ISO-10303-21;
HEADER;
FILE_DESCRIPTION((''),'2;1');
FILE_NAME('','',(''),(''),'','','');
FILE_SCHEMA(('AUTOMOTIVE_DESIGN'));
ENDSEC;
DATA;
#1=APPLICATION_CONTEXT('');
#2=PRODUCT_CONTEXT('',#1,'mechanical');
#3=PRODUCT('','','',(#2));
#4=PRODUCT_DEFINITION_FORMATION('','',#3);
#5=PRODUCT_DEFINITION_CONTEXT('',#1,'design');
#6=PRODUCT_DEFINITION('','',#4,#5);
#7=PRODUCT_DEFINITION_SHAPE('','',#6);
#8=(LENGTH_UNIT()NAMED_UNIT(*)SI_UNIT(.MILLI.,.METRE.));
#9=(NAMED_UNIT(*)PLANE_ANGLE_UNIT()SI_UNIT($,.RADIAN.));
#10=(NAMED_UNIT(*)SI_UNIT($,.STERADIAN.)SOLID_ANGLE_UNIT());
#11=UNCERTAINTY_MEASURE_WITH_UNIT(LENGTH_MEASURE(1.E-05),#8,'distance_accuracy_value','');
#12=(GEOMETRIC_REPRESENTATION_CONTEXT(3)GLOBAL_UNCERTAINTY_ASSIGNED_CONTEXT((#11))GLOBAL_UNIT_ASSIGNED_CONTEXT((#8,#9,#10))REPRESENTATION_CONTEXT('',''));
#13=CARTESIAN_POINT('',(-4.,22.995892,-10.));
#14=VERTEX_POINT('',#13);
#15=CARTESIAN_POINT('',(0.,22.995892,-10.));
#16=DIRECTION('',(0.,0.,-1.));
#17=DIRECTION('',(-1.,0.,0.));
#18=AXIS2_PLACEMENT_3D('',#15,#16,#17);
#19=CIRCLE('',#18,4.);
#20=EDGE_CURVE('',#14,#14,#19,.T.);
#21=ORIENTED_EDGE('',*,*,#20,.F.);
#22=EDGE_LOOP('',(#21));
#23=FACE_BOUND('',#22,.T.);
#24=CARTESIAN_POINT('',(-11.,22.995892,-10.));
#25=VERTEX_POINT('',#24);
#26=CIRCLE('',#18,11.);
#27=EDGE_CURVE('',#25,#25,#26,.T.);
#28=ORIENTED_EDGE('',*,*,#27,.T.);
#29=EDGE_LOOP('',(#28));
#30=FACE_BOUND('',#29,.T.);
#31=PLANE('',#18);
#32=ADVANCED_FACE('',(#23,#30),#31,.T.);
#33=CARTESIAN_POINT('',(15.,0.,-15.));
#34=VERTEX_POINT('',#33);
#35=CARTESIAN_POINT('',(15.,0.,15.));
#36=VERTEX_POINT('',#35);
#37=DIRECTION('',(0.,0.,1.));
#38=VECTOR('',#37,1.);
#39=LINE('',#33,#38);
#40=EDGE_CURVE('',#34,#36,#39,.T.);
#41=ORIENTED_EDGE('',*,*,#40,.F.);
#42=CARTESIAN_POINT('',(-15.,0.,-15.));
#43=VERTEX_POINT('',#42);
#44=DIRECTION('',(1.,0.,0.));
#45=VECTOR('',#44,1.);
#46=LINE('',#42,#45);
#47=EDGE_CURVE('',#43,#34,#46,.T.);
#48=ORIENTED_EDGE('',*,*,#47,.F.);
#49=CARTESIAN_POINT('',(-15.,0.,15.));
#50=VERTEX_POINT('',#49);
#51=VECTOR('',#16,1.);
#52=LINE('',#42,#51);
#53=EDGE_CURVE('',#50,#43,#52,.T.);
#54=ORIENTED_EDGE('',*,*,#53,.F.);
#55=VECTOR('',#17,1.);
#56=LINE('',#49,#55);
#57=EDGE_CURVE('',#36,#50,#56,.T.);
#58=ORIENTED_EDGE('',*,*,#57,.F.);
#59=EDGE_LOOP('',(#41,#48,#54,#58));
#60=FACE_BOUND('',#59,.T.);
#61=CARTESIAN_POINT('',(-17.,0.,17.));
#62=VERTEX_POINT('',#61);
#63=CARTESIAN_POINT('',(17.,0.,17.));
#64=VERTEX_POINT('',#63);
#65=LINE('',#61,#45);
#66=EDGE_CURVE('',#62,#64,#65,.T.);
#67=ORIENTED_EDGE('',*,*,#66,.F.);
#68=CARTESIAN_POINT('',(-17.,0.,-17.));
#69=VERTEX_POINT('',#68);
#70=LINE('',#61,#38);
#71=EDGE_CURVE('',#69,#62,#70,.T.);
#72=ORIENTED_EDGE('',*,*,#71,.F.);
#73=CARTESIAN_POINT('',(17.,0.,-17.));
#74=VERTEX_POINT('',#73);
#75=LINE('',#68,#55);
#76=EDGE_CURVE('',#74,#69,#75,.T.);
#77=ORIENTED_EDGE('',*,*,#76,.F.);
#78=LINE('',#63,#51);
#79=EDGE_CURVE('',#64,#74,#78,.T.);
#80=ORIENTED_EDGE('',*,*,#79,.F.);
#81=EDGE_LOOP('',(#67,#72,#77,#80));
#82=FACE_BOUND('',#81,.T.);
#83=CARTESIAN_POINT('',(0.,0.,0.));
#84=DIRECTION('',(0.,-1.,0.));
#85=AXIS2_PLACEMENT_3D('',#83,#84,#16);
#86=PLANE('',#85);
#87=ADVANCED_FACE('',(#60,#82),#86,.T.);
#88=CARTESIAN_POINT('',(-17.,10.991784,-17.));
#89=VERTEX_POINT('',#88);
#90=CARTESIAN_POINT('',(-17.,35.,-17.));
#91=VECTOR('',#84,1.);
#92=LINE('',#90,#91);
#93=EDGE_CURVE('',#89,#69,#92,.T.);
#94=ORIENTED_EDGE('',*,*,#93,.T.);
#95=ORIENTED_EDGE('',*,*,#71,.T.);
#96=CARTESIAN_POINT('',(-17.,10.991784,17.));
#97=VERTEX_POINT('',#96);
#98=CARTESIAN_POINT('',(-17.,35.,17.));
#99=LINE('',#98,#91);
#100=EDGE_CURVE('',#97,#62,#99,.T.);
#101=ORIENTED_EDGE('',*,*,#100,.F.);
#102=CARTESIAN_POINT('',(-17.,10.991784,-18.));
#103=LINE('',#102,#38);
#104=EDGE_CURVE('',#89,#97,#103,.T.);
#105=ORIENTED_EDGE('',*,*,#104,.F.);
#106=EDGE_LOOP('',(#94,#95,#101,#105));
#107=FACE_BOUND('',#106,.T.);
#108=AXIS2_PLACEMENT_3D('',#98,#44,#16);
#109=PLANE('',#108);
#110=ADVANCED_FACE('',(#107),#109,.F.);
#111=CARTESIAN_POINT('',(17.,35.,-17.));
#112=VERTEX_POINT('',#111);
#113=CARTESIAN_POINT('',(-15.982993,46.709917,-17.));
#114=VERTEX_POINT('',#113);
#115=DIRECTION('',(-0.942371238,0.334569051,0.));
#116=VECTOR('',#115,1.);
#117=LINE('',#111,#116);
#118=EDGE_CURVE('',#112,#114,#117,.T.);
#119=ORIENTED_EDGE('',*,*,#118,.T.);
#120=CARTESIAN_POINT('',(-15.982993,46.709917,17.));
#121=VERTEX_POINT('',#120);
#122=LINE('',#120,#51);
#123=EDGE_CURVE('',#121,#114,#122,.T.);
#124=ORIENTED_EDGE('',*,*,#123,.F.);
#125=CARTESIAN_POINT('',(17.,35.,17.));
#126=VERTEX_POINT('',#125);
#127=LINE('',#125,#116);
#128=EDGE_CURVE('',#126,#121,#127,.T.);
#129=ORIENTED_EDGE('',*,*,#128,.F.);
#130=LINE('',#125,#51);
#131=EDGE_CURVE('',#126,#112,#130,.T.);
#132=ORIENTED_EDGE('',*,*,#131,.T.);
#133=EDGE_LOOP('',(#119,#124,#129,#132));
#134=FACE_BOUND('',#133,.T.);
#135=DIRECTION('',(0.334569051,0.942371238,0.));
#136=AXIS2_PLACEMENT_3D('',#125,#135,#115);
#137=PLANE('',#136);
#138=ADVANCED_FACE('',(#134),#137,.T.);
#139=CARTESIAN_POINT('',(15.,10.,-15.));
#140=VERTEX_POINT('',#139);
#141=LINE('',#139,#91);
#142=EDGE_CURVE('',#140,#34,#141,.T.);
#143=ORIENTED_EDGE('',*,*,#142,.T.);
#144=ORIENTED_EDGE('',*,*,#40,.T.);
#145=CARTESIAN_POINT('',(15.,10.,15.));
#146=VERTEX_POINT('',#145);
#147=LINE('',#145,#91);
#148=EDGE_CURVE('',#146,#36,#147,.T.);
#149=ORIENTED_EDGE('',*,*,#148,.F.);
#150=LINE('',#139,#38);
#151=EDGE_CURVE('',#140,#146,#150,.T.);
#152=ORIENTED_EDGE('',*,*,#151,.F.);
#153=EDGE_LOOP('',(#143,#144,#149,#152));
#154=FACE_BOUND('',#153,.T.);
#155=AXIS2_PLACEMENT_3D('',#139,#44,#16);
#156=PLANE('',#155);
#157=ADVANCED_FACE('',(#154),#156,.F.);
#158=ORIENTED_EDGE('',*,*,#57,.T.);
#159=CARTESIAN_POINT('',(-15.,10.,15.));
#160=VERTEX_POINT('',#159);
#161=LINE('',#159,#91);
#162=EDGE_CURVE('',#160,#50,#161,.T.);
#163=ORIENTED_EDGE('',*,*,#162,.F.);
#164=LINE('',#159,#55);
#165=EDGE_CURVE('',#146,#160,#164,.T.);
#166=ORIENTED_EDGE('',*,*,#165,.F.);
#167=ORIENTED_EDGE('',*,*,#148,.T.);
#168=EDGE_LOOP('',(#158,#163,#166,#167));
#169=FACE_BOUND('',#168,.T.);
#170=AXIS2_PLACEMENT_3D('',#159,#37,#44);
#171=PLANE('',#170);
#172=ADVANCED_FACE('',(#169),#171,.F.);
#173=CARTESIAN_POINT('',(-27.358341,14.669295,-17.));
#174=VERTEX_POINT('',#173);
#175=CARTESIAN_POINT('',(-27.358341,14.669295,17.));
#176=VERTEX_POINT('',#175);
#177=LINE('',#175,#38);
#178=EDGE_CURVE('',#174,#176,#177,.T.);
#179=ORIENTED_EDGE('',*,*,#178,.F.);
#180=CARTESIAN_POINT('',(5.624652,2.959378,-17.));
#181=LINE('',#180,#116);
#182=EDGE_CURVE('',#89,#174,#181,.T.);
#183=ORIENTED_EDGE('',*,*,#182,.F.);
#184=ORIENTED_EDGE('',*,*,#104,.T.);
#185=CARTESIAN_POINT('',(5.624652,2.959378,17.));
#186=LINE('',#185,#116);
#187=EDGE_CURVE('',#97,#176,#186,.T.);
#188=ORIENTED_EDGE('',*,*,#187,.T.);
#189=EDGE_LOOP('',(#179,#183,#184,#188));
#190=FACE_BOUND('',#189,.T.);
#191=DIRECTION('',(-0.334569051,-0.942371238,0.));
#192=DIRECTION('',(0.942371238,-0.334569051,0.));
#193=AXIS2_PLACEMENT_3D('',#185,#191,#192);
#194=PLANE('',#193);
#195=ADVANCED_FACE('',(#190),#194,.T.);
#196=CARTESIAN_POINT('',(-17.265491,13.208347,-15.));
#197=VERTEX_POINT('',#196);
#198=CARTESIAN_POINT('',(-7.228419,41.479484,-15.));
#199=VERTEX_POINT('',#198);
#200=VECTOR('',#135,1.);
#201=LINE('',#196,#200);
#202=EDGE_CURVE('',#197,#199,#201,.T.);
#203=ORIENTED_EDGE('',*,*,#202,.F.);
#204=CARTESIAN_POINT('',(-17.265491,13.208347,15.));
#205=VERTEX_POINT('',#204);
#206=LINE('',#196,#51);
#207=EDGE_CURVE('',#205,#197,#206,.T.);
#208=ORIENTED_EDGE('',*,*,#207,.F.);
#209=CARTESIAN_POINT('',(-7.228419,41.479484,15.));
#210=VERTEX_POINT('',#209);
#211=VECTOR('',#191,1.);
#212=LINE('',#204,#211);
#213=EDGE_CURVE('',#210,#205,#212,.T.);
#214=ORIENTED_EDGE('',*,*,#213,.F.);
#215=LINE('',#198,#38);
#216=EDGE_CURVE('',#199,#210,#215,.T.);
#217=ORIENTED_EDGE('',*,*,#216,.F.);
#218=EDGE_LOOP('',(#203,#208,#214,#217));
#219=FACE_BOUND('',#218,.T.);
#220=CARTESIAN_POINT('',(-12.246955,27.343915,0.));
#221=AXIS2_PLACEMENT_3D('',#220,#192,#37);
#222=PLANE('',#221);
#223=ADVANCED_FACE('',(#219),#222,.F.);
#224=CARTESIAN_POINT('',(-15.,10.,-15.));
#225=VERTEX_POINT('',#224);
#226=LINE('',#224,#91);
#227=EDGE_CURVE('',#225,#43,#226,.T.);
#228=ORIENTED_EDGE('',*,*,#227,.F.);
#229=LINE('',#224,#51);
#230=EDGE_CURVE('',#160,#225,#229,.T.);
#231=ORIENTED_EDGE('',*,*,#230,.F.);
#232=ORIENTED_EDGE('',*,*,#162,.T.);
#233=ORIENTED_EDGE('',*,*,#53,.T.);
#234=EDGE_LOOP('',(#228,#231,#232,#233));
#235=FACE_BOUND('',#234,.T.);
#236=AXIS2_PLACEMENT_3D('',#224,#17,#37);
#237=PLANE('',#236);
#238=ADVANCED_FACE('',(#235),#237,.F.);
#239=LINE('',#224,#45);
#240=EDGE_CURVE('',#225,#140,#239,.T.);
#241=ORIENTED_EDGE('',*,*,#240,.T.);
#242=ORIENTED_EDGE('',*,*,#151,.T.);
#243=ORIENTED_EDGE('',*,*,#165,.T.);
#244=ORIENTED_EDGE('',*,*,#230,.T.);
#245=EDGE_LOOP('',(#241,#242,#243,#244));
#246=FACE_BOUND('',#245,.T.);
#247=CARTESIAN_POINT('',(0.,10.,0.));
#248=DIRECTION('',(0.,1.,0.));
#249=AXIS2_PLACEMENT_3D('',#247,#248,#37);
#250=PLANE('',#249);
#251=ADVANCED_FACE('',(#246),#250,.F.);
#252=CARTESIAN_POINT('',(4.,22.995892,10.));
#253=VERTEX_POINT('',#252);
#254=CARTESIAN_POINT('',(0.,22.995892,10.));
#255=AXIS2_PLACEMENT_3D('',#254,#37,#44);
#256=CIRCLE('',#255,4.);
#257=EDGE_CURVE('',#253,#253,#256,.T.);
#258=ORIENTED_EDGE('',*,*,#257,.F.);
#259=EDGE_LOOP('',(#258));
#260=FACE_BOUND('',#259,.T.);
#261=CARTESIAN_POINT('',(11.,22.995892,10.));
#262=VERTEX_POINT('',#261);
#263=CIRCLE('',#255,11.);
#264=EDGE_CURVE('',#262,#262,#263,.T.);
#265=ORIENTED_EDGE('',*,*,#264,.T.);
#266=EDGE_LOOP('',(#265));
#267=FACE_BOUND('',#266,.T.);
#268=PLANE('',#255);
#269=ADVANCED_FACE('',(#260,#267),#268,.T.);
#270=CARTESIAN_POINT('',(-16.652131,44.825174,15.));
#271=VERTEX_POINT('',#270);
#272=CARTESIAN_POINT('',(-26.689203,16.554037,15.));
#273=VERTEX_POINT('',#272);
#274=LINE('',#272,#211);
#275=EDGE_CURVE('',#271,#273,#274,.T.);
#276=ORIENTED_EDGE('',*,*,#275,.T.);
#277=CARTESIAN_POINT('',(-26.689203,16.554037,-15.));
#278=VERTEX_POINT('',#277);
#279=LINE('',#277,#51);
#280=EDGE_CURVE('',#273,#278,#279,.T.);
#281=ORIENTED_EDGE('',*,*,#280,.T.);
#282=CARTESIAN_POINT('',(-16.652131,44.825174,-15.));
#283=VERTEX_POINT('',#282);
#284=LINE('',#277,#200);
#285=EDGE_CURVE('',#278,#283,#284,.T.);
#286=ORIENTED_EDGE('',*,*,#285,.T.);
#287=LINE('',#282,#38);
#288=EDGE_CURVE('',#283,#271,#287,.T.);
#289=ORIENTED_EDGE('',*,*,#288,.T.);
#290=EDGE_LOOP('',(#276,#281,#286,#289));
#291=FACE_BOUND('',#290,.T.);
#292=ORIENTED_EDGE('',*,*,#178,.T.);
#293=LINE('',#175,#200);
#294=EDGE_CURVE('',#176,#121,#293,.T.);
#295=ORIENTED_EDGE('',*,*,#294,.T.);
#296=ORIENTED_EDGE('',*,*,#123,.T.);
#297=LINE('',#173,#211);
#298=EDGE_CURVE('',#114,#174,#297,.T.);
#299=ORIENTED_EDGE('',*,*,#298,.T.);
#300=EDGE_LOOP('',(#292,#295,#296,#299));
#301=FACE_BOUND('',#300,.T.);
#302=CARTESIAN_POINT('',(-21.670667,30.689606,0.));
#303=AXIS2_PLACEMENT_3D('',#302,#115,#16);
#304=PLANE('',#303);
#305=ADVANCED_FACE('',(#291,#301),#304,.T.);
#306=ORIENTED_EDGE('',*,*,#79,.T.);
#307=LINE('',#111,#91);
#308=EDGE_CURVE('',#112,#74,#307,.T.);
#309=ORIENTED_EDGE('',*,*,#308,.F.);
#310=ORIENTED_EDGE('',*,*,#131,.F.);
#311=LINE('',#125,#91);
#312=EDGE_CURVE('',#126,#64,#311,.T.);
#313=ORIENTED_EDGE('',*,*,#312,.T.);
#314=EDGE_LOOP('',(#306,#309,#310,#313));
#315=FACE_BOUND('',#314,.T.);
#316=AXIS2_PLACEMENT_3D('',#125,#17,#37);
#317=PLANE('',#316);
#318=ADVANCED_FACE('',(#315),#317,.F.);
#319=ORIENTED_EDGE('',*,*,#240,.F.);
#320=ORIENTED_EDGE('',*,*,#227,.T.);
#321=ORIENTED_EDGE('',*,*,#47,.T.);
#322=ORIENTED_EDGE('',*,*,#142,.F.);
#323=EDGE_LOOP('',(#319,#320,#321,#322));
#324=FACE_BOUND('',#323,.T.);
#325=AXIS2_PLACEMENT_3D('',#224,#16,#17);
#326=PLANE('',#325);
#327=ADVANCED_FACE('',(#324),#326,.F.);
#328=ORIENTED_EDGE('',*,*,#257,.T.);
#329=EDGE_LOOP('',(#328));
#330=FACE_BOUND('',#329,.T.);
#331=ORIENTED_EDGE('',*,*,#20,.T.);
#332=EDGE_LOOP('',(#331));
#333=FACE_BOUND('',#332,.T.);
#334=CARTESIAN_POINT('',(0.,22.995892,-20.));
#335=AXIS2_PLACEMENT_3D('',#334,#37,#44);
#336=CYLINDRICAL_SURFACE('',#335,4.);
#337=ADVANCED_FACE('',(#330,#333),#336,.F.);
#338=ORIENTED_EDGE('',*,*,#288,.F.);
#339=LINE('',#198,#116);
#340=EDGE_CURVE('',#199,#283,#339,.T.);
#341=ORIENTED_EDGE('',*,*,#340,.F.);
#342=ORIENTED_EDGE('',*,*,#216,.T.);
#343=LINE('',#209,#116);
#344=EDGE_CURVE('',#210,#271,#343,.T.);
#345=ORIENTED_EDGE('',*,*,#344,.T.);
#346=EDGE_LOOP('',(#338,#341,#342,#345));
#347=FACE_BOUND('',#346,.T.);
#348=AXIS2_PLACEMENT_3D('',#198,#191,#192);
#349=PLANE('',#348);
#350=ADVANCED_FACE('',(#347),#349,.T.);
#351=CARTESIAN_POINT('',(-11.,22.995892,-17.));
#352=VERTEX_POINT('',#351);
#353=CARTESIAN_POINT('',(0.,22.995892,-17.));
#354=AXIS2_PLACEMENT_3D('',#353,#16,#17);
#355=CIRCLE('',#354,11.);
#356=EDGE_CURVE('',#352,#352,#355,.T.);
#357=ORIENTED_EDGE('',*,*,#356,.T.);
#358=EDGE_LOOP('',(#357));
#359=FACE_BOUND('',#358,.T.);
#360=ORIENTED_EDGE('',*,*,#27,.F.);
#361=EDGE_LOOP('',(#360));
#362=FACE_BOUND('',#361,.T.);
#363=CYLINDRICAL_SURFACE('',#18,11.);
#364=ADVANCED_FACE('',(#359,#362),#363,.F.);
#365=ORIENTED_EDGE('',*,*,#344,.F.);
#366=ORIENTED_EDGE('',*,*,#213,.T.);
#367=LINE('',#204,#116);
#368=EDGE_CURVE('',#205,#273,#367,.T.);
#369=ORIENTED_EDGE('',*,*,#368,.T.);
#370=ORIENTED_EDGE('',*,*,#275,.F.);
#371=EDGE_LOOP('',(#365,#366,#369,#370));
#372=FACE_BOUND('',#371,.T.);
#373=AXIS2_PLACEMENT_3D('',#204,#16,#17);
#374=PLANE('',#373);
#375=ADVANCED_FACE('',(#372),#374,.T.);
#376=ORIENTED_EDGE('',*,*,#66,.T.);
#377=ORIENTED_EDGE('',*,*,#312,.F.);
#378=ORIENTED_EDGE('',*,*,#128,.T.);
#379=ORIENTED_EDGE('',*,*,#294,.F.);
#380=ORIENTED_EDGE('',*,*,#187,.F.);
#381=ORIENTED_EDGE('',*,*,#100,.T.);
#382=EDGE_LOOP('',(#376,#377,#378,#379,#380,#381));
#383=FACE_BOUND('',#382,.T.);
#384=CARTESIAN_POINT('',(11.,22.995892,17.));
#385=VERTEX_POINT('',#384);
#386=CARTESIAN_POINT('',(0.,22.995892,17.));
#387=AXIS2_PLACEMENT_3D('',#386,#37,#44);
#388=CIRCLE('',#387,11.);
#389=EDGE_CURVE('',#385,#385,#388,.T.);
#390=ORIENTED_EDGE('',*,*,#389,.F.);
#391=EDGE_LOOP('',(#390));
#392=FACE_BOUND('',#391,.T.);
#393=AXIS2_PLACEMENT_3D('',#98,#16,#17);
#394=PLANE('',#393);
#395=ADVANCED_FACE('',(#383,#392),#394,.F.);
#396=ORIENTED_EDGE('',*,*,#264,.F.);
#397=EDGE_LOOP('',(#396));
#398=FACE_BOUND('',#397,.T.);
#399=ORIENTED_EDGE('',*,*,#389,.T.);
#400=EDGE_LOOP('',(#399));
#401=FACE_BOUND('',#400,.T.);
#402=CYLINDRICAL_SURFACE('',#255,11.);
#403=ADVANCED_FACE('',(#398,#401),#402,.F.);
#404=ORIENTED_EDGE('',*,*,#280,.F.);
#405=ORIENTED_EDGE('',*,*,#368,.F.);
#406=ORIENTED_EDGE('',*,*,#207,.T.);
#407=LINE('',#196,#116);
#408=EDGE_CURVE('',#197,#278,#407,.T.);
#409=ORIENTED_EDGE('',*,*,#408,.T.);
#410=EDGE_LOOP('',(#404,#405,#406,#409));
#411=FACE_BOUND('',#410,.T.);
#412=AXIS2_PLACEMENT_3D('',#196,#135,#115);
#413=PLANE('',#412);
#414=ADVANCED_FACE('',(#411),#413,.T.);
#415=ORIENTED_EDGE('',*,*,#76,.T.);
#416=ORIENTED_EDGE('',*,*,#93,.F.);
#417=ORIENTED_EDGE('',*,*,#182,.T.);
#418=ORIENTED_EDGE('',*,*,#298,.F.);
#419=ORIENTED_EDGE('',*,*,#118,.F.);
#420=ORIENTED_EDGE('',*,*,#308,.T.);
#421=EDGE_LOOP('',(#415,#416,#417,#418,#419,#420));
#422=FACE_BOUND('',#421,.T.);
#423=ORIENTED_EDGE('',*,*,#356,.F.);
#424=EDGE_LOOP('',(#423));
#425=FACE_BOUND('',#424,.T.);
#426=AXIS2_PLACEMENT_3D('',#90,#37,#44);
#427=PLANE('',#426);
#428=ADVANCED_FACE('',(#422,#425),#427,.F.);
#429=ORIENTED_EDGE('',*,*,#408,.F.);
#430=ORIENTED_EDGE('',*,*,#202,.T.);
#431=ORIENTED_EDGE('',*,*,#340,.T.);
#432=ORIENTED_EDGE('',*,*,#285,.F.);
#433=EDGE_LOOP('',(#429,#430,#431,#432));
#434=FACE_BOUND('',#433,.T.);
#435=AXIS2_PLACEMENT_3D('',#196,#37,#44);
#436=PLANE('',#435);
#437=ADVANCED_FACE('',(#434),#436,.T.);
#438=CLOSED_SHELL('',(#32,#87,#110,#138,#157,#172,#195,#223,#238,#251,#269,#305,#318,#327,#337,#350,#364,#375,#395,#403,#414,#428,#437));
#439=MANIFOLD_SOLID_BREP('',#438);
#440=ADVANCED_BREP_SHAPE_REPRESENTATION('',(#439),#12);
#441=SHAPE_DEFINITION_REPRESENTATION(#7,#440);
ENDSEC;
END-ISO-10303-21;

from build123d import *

# Parameters (mm, degrees)
SKETCH2_W           = 34
SKETCH2_H           = 34
BOSS_EXTRUDE2_DEPTH = 35
CUT_EXTRUDE6_DEPTH  = 35
SKETCH17_W          = 30
SKETCH17_H          = 30
CUT_EXTRUDE7_DEPTH  = 10
SKETCH18_W          = 30
SKETCH18_H          = 10
CUT_EXTRUDE8_DEPTH  = 30
SKETCH19_R          = 11
CUT_EXTRUDE10_DEPTH = 7
SKETCH20_R          = 11
CUT_EXTRUDE11_DEPTH = 7
SKETCH22_R          = 4
CUT_EXTRUDE12_DEPTH = 30


with BuildPart() as part:
    # Sketch2 → Boss-Extrude2 (new body)
    with BuildSketch(Plane(origin=(0, 0, 0), x_dir=(1, 0, 0), z_dir=(0, 1, 0))):
        Rectangle(SKETCH2_W, SKETCH2_H)
    boss_extrude2 = extrude(amount=BOSS_EXTRUDE2_DEPTH)

    # Sketch16 → Cut-Extrude6 (cut)
    with BuildSketch(Plane.XY.offset(17)):
        Polygon((-17, 35), (-17, 10.991783965), (17, 35), align=None)
    extrude(amount=-CUT_EXTRUDE6_DEPTH, mode=Mode.SUBTRACT)

    # Sketch17 → Cut-Extrude7 (cut)
    with BuildSketch(Plane.XZ):
        Rectangle(SKETCH17_W, SKETCH17_H)
    cut_extrude7 = extrude(amount=-CUT_EXTRUDE7_DEPTH, mode=Mode.SUBTRACT)

    # Mirror6: Boss-Extrude2, Cut-Extrude7 across plane
    add(boss_extrude2.mirror(Plane(origin=(17, 35, -18), x_dir=(0, 0, 1), z_dir=(0.57681494, -0.816874853, 0))))
    add(cut_extrude7.mirror(Plane(origin=(17, 35, -18), x_dir=(0, 0, 1), z_dir=(0.57681494, -0.816874853, 0))), mode=Mode.SUBTRACT)

    # Sketch18 → Cut-Extrude8 (cut)
    with BuildSketch(Plane.ZY.offset(-15)):
        with Locations((0, 5)):
            Rectangle(SKETCH18_W, SKETCH18_H)
    extrude(amount=CUT_EXTRUDE8_DEPTH, mode=Mode.SUBTRACT)

    # Sketch19 → Cut-Extrude10 (cut)
    with BuildSketch(Plane(origin=(0, 0, -17), x_dir=(-1, 0, 0), z_dir=(0, 0, -1))):
        with Locations((0, 22.995891982)):
            Circle(SKETCH19_R)
    extrude(amount=-CUT_EXTRUDE10_DEPTH, mode=Mode.SUBTRACT)

    # Sketch20 → Cut-Extrude11 (cut)
    with BuildSketch(Plane.XY.offset(17)):
        with Locations((0, 22.995891982)):
            Circle(SKETCH20_R)
    extrude(amount=-CUT_EXTRUDE11_DEPTH, mode=Mode.SUBTRACT)

    # Sketch22 → Cut-Extrude12 (cut)
    with BuildSketch(Plane.XY.offset(10)):
        with Locations((0, 22.995891982)):
            Circle(SKETCH22_R)
    extrude(amount=-CUT_EXTRUDE12_DEPTH, mode=Mode.SUBTRACT)


solid = part.part
